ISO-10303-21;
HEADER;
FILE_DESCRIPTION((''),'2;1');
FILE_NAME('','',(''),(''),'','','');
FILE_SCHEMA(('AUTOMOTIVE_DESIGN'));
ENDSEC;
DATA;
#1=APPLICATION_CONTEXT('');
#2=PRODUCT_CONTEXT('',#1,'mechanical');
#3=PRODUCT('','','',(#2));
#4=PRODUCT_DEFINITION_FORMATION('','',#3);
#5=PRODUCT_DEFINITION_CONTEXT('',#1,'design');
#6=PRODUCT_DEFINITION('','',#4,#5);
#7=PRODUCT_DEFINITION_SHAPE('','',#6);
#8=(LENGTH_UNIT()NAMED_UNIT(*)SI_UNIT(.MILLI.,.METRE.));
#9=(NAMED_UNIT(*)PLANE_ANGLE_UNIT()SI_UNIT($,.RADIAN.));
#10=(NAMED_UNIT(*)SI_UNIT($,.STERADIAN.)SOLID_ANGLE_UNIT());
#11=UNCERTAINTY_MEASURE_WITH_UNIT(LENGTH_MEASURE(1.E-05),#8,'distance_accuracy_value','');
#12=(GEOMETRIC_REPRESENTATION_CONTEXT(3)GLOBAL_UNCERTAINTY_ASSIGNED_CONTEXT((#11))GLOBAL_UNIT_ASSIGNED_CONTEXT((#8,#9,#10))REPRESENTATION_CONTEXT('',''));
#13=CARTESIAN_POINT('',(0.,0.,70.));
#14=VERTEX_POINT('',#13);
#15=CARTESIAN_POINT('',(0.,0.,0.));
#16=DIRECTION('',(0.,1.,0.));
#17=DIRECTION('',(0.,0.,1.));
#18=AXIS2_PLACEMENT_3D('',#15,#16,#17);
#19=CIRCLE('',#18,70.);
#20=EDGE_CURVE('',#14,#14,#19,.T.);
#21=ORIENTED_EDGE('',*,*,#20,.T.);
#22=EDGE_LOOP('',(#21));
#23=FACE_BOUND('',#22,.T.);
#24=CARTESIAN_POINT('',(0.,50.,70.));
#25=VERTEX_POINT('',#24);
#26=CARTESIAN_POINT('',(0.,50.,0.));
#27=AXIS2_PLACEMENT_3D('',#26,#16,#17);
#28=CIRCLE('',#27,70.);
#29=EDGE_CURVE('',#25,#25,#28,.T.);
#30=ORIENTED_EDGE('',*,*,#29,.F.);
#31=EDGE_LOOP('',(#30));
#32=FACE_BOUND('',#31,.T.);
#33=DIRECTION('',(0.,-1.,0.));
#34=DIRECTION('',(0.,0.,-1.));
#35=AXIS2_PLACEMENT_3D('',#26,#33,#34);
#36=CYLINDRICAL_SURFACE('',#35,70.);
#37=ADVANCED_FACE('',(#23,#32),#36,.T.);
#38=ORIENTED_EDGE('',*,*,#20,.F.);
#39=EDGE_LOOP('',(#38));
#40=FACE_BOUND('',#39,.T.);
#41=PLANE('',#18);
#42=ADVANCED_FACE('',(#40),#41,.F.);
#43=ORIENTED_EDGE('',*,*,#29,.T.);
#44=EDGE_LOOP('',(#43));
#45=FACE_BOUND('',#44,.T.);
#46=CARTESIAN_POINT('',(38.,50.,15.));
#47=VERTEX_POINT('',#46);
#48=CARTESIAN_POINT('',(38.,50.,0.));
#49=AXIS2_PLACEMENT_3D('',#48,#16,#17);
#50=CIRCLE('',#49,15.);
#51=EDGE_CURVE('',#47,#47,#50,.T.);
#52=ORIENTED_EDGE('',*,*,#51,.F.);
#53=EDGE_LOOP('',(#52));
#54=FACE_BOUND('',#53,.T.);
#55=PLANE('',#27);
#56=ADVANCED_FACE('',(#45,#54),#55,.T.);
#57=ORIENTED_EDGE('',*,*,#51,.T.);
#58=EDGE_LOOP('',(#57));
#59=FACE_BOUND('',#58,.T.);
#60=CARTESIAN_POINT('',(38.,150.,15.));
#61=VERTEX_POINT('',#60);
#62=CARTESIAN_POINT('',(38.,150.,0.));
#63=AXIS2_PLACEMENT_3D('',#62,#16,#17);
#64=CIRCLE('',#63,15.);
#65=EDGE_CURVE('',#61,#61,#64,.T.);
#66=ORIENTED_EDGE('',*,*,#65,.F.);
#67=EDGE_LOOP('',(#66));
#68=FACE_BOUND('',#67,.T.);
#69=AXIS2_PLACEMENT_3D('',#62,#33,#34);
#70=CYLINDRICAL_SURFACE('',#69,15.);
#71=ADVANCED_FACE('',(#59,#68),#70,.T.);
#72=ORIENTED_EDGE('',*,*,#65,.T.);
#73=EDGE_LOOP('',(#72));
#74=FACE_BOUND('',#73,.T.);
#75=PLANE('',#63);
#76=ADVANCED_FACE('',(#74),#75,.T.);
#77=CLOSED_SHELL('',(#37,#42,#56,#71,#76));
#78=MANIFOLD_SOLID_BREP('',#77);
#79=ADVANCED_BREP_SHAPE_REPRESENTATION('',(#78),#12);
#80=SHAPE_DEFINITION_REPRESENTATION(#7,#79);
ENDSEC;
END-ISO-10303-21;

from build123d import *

# Parameters (mm, degrees)
SKETCH1_R           = 70
BOSS_EXTRUDE1_DEPTH = 50
SKETCH2_R           = 15
BOSS_EXTRUDE2_DEPTH = 100


with BuildPart() as part:
    # Sketch1 → Boss-Extrude1 (new body)
    with BuildSketch(Plane(origin=(0, 0, 0), x_dir=(1, 0, 0), z_dir=(0, 1, 0))):
        with Locations(Location((0, 0, 0), (0, 0, 270))):
            Circle(SKETCH1_R)
    extrude(amount=BOSS_EXTRUDE1_DEPTH)

    # Sketch2 → Boss-Extrude2 (add)
    with BuildSketch(Plane(origin=(0, 50, 0), x_dir=(1, 0, 0), z_dir=(0, 1, 0))):
        with Locations(Location((38, 0, 0), (0, 0, 270))):
            Circle(SKETCH2_R)
    extrude(amount=BOSS_EXTRUDE2_DEPTH)


solid = part.part
